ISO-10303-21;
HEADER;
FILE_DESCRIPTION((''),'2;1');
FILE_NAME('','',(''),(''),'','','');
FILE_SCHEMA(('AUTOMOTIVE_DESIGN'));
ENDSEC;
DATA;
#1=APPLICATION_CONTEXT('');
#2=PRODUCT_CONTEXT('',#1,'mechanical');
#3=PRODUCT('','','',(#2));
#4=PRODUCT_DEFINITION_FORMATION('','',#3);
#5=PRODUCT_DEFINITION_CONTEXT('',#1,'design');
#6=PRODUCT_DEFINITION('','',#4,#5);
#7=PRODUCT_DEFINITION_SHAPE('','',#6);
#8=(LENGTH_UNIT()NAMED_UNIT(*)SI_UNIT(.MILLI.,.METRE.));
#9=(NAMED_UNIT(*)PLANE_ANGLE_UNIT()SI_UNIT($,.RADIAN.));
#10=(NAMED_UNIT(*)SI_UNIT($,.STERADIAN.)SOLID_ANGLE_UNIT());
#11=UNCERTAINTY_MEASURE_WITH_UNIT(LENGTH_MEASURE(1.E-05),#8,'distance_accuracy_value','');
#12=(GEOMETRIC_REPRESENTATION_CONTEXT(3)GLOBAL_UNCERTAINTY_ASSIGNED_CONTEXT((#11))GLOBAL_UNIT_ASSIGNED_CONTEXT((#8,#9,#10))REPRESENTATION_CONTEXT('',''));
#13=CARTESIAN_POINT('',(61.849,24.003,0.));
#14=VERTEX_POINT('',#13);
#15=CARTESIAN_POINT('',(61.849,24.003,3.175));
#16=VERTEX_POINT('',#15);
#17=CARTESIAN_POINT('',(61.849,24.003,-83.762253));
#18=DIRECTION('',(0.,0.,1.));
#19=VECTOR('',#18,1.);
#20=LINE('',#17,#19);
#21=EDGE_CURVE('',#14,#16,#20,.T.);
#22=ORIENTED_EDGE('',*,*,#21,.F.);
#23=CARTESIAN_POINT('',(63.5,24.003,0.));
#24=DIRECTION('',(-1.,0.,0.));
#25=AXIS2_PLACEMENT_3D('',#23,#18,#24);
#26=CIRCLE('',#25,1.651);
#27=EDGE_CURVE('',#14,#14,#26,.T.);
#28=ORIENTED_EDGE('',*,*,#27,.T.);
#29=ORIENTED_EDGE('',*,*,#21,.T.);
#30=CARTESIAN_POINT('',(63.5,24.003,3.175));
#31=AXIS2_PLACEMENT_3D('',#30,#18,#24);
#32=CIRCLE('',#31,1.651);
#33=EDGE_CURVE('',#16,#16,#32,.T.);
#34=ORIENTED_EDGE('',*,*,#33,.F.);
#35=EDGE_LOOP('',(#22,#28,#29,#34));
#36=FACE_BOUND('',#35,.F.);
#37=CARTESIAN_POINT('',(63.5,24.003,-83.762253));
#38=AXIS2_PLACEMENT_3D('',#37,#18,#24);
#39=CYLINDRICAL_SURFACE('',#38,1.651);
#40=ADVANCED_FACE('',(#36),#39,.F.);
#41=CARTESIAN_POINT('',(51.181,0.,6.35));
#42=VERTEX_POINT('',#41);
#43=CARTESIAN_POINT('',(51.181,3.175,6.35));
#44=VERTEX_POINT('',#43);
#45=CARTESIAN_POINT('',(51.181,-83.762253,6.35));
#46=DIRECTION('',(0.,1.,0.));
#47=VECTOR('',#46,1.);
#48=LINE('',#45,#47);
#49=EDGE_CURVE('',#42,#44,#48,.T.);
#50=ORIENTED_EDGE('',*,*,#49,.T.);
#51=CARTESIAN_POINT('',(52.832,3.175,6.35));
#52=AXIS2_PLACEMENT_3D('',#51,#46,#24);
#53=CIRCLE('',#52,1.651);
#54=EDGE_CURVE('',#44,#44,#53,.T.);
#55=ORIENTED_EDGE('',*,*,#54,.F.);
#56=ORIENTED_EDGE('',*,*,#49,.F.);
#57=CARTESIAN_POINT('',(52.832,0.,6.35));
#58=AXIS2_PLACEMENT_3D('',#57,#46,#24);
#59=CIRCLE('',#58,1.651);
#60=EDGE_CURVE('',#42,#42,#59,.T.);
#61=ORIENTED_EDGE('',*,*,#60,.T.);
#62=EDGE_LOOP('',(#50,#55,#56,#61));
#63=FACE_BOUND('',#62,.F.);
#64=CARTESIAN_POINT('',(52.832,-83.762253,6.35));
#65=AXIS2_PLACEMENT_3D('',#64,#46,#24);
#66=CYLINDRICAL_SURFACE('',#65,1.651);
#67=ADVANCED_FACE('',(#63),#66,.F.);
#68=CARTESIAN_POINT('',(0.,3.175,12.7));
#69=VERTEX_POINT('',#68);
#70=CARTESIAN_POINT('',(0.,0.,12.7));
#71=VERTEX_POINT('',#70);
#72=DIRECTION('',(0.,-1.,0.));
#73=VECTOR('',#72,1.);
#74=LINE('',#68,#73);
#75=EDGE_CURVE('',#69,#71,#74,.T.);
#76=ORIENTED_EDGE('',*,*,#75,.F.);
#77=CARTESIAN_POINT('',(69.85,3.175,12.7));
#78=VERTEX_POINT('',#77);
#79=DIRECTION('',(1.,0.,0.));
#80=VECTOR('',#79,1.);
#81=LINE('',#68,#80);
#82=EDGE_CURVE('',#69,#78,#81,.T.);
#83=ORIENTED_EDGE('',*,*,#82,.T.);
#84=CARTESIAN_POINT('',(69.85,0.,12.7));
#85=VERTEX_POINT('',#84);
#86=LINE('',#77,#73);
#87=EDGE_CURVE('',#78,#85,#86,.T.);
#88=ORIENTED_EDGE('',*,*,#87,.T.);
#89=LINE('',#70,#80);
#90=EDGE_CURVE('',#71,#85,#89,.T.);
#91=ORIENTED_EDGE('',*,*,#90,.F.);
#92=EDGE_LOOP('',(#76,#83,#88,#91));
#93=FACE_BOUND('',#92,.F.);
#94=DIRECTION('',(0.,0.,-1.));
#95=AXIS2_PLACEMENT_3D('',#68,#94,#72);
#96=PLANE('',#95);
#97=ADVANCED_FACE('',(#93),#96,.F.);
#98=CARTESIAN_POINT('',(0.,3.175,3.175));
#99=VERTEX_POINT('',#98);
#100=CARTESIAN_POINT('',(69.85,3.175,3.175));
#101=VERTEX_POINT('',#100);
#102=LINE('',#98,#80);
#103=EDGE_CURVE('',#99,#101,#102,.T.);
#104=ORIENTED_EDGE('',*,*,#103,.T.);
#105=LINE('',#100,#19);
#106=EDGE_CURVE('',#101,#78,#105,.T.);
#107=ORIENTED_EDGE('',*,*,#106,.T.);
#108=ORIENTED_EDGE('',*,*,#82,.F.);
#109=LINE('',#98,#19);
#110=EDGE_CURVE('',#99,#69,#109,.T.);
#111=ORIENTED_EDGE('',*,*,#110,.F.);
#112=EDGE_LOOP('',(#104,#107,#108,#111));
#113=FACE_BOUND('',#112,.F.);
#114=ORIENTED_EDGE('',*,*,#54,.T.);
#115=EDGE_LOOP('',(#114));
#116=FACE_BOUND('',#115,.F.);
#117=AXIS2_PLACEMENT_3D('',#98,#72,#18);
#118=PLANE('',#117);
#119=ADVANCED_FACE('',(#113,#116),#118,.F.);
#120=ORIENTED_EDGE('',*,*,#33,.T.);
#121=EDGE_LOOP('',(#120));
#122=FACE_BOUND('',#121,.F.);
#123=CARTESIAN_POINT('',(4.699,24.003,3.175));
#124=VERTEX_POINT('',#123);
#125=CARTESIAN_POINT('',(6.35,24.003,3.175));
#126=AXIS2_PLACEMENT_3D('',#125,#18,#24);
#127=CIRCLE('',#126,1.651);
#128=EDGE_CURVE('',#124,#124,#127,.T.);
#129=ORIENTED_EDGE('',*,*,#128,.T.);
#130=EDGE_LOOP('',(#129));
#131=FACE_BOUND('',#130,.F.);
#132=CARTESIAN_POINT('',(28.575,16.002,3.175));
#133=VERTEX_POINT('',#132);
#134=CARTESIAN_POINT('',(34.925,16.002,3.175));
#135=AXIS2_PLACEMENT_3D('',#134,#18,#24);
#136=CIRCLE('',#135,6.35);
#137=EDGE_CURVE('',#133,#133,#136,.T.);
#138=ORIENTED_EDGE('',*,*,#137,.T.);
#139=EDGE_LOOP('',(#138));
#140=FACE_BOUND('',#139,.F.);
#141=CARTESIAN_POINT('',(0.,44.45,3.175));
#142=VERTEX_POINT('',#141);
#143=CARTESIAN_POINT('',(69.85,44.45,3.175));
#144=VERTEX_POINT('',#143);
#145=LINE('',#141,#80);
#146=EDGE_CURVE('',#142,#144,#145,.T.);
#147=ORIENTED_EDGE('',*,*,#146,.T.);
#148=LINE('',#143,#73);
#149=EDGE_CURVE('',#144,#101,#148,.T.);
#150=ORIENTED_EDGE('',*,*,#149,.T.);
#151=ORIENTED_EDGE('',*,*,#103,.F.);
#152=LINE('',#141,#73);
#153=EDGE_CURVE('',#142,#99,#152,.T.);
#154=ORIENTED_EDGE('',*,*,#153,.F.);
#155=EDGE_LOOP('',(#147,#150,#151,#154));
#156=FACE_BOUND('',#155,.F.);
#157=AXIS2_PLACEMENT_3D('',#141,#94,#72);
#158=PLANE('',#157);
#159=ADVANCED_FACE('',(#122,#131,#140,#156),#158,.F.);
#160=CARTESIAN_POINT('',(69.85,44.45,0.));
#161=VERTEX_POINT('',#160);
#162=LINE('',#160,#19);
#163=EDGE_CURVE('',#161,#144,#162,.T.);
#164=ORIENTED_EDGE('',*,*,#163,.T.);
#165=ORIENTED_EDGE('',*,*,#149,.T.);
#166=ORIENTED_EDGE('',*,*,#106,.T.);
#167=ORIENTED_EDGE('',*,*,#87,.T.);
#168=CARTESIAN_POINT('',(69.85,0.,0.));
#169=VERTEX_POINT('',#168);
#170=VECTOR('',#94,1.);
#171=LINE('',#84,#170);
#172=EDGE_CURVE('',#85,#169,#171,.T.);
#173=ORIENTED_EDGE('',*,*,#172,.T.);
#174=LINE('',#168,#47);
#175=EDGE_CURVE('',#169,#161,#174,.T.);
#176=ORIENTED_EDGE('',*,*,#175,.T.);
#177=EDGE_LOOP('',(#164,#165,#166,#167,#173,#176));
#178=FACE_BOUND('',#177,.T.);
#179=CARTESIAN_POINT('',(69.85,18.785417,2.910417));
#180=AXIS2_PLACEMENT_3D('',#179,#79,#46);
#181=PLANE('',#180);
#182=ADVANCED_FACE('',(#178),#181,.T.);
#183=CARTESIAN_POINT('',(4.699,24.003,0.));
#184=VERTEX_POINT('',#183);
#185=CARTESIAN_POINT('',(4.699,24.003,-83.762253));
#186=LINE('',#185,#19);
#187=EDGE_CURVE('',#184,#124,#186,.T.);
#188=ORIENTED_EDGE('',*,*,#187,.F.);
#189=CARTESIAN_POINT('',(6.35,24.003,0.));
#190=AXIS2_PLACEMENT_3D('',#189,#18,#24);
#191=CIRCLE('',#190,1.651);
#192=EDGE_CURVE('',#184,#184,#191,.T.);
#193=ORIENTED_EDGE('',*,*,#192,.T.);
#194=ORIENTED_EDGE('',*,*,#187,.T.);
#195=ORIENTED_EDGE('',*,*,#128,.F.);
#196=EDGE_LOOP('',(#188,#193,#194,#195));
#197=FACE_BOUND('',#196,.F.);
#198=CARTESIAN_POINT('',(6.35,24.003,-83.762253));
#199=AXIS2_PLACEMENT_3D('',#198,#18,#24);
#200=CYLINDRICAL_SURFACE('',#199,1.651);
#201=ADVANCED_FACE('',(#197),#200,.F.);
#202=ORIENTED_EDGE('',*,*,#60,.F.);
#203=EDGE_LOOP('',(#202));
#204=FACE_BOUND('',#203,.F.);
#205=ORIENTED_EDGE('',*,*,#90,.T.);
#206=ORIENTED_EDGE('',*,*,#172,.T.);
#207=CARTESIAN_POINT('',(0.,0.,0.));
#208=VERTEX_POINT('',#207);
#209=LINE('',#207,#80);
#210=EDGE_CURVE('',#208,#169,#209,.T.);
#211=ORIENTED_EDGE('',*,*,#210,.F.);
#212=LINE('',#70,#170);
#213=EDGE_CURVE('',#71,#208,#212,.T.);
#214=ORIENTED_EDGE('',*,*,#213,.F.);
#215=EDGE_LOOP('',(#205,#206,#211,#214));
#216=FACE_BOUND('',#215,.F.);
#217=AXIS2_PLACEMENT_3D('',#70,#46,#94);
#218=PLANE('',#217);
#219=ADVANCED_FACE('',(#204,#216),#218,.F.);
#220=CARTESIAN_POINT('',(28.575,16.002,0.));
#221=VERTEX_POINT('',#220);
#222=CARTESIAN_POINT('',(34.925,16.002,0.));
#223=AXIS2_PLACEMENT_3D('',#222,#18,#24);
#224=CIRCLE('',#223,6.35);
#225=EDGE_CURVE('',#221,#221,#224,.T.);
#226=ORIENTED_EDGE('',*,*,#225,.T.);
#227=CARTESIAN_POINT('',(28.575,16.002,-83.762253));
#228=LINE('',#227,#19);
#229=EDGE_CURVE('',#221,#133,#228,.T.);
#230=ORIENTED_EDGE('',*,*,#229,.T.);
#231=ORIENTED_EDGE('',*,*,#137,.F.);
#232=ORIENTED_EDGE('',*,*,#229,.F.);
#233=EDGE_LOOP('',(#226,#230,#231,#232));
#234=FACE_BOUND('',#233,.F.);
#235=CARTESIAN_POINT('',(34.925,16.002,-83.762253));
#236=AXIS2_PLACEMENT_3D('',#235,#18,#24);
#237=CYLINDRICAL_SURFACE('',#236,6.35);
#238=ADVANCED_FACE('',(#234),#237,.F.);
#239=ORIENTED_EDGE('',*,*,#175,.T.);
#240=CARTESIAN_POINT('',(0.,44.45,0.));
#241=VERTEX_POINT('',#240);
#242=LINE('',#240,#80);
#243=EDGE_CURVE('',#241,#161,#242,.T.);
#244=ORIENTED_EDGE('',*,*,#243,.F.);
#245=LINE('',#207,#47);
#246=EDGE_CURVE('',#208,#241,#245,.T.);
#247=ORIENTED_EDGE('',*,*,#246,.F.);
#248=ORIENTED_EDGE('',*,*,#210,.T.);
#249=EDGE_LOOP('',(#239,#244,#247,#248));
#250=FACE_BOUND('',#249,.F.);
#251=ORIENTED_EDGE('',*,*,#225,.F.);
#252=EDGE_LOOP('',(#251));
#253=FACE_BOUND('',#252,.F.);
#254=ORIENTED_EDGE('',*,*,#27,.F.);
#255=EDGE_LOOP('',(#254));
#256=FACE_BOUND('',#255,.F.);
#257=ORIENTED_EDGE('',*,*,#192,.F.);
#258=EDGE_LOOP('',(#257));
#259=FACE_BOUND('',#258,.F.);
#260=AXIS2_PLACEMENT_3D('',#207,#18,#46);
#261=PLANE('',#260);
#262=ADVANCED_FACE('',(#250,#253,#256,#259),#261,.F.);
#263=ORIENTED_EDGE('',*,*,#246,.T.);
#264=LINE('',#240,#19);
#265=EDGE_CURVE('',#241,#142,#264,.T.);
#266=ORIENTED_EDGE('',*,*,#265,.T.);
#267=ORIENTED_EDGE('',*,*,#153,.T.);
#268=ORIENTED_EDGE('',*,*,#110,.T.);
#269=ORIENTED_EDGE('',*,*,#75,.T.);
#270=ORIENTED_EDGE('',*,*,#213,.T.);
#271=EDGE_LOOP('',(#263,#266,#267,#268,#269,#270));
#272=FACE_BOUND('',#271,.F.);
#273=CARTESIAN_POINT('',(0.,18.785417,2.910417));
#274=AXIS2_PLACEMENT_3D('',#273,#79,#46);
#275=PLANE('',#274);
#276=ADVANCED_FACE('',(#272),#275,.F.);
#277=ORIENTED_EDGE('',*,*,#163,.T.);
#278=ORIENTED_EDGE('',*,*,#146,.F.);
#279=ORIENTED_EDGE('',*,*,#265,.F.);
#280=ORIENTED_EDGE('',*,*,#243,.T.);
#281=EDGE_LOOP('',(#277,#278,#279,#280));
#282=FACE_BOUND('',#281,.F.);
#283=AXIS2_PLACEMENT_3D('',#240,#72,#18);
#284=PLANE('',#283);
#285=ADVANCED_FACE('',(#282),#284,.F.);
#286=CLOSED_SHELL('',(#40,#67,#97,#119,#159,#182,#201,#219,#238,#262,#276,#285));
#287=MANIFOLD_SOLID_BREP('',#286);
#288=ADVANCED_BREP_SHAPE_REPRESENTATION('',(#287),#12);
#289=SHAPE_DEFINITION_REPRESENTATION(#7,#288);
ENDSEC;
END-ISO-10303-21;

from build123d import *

# Parameters (mm, degrees)
F1_DEPTH = 69.85
F3_D     = 3.302
F5_D     = 3.302
F6_D     = 12.7


with BuildPart() as f1:
    # F0 (on Right) → F1 (new body)
    with BuildSketch(Plane.YZ):
        Polygon((0, 12.7), (0, 0), (44.45, 0), (44.45, 3.175), (3.175, 3.175), (3.175, 12.7), align=None)
    extrude(amount=F1_DEPTH)

    # F3 (through all)
    with Locations(Plane(origin=(0, 0, 0), x_dir=(1, 0, 0), z_dir=(0, 0, -1))):
        with Locations((6.35, -24.003), (63.5, -24.003)):
            Hole(F3_D / 2)

    # F5 (through all)
    with Locations(Plane.XZ):
        with Locations((52.832, 6.35)):
            Hole(F5_D / 2)

    # F6 (through all)
    with Locations(Plane(origin=(0, 0, 0), x_dir=(1, 0, 0), z_dir=(0, 0, -1))):
        with Locations((34.925, -16.002)):
            Hole(F6_D / 2)


solid = f1.part
